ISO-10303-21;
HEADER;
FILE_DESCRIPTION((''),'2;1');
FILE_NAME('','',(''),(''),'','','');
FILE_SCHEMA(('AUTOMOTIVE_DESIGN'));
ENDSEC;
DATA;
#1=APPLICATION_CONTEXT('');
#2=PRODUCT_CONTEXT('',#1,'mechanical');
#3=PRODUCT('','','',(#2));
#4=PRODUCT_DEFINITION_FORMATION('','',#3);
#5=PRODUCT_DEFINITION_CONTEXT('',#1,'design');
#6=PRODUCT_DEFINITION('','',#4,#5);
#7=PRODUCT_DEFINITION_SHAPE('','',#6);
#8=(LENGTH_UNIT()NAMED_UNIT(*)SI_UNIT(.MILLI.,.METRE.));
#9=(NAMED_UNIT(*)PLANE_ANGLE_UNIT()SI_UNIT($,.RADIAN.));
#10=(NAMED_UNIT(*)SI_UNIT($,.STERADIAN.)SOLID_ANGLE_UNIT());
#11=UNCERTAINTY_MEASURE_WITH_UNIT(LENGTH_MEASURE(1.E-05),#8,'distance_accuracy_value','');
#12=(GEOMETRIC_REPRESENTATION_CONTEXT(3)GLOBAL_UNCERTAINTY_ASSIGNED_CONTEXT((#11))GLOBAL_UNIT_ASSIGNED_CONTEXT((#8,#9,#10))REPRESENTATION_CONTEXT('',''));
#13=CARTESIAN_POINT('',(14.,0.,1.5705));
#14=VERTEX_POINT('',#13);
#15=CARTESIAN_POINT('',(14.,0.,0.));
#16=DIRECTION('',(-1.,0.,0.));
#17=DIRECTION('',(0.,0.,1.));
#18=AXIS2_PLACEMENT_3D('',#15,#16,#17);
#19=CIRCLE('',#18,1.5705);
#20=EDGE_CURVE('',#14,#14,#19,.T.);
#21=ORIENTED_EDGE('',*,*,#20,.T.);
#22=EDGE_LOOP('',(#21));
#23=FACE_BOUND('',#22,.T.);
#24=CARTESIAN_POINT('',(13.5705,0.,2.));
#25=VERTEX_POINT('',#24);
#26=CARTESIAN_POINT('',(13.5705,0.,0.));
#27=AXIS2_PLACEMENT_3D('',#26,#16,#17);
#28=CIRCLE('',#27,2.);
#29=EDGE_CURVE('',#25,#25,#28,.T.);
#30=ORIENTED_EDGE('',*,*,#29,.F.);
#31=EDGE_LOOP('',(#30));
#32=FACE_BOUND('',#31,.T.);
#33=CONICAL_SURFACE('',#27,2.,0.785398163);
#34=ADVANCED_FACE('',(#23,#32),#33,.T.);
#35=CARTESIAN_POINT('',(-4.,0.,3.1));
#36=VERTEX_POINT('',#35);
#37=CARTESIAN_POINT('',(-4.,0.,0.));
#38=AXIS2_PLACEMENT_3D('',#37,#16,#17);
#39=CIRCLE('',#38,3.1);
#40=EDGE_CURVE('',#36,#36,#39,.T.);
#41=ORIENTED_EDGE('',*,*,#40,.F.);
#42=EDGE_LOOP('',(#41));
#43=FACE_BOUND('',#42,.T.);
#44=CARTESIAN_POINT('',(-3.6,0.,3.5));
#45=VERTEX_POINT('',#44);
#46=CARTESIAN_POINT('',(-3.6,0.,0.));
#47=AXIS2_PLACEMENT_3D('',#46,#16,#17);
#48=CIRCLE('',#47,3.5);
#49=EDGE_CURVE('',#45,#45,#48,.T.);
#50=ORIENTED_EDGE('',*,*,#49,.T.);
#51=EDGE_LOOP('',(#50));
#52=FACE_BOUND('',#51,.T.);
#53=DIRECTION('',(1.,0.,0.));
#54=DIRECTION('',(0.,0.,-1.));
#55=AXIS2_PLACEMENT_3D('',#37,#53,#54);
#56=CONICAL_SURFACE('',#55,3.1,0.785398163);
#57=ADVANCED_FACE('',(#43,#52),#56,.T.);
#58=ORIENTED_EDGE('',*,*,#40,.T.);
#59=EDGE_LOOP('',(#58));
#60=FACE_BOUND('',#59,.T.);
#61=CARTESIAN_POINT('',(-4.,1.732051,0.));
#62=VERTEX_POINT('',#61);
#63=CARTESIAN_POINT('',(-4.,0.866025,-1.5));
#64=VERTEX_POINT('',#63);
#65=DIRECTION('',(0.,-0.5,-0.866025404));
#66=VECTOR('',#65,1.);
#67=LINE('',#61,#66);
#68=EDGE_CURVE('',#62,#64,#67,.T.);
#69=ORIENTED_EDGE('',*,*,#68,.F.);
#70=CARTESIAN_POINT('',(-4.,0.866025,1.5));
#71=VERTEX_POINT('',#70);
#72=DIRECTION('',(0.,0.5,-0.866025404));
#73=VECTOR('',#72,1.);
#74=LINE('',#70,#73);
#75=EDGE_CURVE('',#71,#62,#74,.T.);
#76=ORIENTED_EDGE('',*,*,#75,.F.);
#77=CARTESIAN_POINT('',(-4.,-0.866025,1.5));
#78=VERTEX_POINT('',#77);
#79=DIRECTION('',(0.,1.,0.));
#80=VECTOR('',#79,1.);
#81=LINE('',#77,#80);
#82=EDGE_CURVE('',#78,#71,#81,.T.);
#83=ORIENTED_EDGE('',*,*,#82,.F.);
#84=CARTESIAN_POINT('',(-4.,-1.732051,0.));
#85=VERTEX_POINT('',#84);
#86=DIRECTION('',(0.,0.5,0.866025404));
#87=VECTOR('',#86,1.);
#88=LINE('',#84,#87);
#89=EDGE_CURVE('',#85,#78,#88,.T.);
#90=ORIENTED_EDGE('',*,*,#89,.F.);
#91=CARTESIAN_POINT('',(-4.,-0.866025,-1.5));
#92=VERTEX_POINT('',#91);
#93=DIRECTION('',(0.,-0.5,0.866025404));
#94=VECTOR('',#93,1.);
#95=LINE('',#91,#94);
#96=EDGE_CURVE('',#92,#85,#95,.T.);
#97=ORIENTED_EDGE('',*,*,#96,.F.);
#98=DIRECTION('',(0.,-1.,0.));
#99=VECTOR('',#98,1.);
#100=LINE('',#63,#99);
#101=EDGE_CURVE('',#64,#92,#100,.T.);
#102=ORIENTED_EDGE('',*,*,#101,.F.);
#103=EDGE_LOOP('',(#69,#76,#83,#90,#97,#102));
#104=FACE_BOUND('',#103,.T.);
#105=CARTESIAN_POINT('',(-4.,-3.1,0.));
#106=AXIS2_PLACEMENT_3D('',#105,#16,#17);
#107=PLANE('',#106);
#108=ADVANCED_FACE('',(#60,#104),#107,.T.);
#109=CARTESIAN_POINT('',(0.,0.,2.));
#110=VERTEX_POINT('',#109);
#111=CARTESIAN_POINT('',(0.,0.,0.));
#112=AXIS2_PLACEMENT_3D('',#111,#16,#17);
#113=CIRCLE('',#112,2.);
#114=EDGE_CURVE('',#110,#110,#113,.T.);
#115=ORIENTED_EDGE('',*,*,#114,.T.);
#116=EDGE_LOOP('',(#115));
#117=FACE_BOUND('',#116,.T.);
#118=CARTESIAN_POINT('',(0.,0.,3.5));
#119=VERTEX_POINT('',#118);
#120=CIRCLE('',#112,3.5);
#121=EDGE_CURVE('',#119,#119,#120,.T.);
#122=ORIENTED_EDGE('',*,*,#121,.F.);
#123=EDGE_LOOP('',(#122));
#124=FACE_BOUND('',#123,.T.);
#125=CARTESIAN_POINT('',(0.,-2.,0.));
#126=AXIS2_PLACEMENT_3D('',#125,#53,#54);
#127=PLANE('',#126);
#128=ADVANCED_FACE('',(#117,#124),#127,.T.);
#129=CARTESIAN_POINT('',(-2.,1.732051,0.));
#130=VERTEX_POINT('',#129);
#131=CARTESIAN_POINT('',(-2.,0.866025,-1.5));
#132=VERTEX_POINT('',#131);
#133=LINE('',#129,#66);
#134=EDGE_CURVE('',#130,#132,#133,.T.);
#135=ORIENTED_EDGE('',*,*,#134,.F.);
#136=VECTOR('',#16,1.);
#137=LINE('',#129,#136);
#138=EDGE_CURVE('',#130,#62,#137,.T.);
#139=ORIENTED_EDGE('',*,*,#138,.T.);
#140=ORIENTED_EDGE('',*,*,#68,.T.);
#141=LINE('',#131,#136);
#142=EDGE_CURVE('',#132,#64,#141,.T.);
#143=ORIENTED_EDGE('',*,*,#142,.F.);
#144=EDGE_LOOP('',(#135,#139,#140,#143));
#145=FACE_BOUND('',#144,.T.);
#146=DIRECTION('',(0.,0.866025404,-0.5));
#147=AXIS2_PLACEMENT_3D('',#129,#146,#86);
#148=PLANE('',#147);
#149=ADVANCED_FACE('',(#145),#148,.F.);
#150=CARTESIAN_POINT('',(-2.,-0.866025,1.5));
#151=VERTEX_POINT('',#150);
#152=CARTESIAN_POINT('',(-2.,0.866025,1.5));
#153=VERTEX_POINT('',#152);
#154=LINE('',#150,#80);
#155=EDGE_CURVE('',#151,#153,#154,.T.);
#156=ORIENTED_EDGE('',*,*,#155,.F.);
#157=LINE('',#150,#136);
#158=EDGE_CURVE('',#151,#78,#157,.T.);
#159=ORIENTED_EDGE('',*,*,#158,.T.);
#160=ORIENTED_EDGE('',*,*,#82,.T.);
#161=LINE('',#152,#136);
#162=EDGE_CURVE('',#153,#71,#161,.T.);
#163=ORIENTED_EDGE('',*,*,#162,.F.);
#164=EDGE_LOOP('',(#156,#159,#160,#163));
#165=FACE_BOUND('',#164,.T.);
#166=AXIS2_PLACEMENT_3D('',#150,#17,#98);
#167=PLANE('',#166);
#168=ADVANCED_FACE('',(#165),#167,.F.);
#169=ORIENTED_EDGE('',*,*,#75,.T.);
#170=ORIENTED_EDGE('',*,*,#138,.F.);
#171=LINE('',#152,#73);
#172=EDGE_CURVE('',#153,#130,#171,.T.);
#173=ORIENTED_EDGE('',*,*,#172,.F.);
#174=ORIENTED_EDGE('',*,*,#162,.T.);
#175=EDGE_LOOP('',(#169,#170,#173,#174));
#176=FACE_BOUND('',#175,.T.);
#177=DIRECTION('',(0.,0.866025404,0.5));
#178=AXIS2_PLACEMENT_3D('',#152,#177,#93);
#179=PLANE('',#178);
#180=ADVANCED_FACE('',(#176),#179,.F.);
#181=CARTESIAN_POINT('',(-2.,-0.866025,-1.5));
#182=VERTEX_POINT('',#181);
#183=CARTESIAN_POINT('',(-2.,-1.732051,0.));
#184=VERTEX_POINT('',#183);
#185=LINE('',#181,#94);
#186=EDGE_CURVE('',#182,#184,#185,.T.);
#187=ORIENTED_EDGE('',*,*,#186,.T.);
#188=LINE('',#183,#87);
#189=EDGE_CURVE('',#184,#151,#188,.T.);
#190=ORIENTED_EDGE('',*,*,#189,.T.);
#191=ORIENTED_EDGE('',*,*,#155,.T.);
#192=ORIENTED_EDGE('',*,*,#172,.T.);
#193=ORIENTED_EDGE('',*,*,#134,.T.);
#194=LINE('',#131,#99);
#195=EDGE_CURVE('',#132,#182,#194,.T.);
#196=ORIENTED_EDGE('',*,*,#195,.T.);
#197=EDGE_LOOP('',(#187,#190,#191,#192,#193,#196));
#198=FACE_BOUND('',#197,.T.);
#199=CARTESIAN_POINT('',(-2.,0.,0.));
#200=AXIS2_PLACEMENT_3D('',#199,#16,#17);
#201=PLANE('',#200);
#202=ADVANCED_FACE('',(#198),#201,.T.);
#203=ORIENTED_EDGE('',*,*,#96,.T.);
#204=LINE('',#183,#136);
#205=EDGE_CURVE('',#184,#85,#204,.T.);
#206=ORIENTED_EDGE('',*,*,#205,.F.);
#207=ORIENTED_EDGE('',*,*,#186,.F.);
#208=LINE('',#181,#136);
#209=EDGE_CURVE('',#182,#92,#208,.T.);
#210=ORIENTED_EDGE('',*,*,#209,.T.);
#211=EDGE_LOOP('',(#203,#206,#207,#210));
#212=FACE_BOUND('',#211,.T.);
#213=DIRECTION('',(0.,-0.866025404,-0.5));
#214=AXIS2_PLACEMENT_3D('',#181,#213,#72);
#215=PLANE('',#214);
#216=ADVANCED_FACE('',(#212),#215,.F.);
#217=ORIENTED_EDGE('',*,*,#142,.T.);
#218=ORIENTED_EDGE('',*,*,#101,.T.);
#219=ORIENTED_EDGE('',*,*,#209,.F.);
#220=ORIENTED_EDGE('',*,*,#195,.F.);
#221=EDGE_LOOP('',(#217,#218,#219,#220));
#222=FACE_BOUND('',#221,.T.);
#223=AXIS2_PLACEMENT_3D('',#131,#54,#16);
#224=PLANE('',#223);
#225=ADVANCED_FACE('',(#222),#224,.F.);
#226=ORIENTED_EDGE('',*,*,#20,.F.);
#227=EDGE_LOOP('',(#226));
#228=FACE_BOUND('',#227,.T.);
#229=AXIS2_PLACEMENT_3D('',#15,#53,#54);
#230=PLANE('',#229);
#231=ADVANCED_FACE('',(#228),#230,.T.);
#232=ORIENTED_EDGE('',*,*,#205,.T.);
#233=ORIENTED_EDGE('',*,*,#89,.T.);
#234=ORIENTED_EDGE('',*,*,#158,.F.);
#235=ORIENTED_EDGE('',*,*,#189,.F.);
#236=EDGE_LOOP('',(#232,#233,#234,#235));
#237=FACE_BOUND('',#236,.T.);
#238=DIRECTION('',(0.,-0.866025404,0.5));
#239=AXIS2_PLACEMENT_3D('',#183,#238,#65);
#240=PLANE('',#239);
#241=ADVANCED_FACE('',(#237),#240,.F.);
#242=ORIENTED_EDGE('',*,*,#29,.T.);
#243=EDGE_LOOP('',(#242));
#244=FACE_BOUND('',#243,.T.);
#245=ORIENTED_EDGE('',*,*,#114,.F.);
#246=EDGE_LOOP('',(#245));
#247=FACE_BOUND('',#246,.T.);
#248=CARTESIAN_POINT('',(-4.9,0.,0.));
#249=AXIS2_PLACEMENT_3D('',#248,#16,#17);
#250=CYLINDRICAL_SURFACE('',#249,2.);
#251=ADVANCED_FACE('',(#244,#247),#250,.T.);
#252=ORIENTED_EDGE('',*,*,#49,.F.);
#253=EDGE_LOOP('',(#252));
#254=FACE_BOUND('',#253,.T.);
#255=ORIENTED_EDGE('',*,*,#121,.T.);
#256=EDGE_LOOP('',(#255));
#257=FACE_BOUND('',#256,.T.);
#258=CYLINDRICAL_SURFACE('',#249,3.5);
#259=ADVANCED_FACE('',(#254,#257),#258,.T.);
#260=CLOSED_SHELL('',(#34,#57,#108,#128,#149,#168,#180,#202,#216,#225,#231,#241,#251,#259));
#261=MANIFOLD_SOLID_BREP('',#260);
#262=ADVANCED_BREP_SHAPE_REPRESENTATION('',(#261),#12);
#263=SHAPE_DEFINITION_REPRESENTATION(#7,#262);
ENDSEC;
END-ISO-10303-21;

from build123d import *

# Parameters (mm, degrees)
CUT_EXTRUDE1_DEPTH = 2


with BuildPart() as part:
    # Sketch1 → Revolve1 (revolve)
    with BuildSketch(Plane.XY):
        Polygon((-4, 0), (14, 0), (14, -1.5705), (13.5705, -2), (0, -2), (0, -3.5), (-3.6, -3.5), (-4, -3.1), align=None)
    revolve(axis=Axis((-4.9, 0, 0), (1, 0, 0)))

    # Sketch2 → Cut-Extrude1 (cut)
    with BuildSketch(Plane.ZY.offset(4)):
        Polygon((0, 1.732050808), (-1.5, 0.866025404), (-1.5, -0.866025404), (0, -1.732050808), (1.5, -0.866025404), (1.5, 0.866025404), align=None)
    extrude(amount=-CUT_EXTRUDE1_DEPTH, mode=Mode.SUBTRACT)


solid = part.part
